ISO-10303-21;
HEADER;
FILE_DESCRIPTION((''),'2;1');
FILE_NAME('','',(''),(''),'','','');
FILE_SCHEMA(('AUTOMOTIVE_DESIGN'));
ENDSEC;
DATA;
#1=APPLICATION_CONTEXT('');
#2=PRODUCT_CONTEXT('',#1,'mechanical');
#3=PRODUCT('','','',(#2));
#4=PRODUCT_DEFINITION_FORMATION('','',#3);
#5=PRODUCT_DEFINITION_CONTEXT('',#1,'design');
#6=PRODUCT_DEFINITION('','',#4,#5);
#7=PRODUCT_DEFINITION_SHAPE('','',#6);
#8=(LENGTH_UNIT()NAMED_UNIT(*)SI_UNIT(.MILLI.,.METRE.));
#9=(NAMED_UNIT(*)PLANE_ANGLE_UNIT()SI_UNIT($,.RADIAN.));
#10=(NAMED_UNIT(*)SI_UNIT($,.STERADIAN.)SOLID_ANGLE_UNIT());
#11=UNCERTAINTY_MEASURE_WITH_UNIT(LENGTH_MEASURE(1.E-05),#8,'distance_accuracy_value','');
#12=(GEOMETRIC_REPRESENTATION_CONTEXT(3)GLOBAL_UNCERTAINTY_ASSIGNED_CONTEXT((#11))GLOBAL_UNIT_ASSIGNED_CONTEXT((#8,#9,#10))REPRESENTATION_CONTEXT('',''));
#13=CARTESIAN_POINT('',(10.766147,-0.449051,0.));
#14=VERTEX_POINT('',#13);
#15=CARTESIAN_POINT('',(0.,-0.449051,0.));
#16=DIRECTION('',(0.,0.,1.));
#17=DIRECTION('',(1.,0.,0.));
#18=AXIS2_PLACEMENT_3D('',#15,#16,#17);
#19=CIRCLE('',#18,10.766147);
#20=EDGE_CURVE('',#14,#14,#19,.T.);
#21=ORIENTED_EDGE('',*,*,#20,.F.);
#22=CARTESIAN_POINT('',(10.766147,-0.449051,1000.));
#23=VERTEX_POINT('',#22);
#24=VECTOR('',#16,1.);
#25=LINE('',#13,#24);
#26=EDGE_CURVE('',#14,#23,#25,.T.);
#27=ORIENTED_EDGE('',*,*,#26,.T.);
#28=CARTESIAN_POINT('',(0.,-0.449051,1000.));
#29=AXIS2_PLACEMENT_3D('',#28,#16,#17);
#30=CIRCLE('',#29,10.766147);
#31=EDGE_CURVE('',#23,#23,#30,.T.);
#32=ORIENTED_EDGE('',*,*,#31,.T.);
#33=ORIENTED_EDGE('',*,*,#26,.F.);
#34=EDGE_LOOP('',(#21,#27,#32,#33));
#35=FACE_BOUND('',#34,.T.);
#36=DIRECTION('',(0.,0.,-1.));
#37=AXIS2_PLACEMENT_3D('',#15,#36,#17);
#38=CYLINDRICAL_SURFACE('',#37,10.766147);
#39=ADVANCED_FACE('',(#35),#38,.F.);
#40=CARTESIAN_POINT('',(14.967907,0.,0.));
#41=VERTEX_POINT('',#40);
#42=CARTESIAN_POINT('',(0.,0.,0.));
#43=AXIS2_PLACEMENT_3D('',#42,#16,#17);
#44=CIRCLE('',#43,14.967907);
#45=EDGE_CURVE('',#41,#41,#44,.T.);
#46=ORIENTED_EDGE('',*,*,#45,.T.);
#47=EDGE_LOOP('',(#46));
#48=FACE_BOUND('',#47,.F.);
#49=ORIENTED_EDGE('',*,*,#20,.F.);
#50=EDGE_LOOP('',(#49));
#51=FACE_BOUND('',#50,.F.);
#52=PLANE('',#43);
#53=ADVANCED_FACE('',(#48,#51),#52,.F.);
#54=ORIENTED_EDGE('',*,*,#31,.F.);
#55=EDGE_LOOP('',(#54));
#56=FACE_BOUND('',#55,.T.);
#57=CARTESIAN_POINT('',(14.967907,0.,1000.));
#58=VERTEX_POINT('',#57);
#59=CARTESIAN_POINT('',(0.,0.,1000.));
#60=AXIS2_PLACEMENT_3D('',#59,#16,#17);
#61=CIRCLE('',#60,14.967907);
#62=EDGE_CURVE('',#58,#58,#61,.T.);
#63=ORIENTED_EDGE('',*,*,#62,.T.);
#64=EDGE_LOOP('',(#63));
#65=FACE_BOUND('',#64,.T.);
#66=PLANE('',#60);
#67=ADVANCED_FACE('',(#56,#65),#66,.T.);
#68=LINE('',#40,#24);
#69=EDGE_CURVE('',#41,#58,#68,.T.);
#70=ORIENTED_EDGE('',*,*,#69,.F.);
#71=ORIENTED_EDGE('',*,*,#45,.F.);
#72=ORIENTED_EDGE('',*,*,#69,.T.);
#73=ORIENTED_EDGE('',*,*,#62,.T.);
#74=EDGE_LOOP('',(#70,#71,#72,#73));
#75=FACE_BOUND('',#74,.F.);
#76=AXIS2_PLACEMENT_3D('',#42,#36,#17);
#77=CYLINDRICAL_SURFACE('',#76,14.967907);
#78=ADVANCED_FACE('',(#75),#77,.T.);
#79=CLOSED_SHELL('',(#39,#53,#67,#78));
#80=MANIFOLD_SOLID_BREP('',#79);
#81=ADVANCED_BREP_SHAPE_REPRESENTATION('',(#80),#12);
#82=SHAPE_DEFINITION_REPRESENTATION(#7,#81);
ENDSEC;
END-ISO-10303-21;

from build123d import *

# Parameters (mm, degrees)
SKETCH_R   = 14.967907
SKETCH_R_2 = 10.766147
PAD_DEPTH  = 1000


with BuildPart() as part:
    # Sketch (on XY_Plane of Origin) → Pad (new body)
    with BuildSketch(Plane.XY):
        Circle(SKETCH_R)
        with Locations((0, -0.449051)):
            Circle(SKETCH_R_2, mode=Mode.SUBTRACT)
    extrude(amount=PAD_DEPTH)


solid = part.part
